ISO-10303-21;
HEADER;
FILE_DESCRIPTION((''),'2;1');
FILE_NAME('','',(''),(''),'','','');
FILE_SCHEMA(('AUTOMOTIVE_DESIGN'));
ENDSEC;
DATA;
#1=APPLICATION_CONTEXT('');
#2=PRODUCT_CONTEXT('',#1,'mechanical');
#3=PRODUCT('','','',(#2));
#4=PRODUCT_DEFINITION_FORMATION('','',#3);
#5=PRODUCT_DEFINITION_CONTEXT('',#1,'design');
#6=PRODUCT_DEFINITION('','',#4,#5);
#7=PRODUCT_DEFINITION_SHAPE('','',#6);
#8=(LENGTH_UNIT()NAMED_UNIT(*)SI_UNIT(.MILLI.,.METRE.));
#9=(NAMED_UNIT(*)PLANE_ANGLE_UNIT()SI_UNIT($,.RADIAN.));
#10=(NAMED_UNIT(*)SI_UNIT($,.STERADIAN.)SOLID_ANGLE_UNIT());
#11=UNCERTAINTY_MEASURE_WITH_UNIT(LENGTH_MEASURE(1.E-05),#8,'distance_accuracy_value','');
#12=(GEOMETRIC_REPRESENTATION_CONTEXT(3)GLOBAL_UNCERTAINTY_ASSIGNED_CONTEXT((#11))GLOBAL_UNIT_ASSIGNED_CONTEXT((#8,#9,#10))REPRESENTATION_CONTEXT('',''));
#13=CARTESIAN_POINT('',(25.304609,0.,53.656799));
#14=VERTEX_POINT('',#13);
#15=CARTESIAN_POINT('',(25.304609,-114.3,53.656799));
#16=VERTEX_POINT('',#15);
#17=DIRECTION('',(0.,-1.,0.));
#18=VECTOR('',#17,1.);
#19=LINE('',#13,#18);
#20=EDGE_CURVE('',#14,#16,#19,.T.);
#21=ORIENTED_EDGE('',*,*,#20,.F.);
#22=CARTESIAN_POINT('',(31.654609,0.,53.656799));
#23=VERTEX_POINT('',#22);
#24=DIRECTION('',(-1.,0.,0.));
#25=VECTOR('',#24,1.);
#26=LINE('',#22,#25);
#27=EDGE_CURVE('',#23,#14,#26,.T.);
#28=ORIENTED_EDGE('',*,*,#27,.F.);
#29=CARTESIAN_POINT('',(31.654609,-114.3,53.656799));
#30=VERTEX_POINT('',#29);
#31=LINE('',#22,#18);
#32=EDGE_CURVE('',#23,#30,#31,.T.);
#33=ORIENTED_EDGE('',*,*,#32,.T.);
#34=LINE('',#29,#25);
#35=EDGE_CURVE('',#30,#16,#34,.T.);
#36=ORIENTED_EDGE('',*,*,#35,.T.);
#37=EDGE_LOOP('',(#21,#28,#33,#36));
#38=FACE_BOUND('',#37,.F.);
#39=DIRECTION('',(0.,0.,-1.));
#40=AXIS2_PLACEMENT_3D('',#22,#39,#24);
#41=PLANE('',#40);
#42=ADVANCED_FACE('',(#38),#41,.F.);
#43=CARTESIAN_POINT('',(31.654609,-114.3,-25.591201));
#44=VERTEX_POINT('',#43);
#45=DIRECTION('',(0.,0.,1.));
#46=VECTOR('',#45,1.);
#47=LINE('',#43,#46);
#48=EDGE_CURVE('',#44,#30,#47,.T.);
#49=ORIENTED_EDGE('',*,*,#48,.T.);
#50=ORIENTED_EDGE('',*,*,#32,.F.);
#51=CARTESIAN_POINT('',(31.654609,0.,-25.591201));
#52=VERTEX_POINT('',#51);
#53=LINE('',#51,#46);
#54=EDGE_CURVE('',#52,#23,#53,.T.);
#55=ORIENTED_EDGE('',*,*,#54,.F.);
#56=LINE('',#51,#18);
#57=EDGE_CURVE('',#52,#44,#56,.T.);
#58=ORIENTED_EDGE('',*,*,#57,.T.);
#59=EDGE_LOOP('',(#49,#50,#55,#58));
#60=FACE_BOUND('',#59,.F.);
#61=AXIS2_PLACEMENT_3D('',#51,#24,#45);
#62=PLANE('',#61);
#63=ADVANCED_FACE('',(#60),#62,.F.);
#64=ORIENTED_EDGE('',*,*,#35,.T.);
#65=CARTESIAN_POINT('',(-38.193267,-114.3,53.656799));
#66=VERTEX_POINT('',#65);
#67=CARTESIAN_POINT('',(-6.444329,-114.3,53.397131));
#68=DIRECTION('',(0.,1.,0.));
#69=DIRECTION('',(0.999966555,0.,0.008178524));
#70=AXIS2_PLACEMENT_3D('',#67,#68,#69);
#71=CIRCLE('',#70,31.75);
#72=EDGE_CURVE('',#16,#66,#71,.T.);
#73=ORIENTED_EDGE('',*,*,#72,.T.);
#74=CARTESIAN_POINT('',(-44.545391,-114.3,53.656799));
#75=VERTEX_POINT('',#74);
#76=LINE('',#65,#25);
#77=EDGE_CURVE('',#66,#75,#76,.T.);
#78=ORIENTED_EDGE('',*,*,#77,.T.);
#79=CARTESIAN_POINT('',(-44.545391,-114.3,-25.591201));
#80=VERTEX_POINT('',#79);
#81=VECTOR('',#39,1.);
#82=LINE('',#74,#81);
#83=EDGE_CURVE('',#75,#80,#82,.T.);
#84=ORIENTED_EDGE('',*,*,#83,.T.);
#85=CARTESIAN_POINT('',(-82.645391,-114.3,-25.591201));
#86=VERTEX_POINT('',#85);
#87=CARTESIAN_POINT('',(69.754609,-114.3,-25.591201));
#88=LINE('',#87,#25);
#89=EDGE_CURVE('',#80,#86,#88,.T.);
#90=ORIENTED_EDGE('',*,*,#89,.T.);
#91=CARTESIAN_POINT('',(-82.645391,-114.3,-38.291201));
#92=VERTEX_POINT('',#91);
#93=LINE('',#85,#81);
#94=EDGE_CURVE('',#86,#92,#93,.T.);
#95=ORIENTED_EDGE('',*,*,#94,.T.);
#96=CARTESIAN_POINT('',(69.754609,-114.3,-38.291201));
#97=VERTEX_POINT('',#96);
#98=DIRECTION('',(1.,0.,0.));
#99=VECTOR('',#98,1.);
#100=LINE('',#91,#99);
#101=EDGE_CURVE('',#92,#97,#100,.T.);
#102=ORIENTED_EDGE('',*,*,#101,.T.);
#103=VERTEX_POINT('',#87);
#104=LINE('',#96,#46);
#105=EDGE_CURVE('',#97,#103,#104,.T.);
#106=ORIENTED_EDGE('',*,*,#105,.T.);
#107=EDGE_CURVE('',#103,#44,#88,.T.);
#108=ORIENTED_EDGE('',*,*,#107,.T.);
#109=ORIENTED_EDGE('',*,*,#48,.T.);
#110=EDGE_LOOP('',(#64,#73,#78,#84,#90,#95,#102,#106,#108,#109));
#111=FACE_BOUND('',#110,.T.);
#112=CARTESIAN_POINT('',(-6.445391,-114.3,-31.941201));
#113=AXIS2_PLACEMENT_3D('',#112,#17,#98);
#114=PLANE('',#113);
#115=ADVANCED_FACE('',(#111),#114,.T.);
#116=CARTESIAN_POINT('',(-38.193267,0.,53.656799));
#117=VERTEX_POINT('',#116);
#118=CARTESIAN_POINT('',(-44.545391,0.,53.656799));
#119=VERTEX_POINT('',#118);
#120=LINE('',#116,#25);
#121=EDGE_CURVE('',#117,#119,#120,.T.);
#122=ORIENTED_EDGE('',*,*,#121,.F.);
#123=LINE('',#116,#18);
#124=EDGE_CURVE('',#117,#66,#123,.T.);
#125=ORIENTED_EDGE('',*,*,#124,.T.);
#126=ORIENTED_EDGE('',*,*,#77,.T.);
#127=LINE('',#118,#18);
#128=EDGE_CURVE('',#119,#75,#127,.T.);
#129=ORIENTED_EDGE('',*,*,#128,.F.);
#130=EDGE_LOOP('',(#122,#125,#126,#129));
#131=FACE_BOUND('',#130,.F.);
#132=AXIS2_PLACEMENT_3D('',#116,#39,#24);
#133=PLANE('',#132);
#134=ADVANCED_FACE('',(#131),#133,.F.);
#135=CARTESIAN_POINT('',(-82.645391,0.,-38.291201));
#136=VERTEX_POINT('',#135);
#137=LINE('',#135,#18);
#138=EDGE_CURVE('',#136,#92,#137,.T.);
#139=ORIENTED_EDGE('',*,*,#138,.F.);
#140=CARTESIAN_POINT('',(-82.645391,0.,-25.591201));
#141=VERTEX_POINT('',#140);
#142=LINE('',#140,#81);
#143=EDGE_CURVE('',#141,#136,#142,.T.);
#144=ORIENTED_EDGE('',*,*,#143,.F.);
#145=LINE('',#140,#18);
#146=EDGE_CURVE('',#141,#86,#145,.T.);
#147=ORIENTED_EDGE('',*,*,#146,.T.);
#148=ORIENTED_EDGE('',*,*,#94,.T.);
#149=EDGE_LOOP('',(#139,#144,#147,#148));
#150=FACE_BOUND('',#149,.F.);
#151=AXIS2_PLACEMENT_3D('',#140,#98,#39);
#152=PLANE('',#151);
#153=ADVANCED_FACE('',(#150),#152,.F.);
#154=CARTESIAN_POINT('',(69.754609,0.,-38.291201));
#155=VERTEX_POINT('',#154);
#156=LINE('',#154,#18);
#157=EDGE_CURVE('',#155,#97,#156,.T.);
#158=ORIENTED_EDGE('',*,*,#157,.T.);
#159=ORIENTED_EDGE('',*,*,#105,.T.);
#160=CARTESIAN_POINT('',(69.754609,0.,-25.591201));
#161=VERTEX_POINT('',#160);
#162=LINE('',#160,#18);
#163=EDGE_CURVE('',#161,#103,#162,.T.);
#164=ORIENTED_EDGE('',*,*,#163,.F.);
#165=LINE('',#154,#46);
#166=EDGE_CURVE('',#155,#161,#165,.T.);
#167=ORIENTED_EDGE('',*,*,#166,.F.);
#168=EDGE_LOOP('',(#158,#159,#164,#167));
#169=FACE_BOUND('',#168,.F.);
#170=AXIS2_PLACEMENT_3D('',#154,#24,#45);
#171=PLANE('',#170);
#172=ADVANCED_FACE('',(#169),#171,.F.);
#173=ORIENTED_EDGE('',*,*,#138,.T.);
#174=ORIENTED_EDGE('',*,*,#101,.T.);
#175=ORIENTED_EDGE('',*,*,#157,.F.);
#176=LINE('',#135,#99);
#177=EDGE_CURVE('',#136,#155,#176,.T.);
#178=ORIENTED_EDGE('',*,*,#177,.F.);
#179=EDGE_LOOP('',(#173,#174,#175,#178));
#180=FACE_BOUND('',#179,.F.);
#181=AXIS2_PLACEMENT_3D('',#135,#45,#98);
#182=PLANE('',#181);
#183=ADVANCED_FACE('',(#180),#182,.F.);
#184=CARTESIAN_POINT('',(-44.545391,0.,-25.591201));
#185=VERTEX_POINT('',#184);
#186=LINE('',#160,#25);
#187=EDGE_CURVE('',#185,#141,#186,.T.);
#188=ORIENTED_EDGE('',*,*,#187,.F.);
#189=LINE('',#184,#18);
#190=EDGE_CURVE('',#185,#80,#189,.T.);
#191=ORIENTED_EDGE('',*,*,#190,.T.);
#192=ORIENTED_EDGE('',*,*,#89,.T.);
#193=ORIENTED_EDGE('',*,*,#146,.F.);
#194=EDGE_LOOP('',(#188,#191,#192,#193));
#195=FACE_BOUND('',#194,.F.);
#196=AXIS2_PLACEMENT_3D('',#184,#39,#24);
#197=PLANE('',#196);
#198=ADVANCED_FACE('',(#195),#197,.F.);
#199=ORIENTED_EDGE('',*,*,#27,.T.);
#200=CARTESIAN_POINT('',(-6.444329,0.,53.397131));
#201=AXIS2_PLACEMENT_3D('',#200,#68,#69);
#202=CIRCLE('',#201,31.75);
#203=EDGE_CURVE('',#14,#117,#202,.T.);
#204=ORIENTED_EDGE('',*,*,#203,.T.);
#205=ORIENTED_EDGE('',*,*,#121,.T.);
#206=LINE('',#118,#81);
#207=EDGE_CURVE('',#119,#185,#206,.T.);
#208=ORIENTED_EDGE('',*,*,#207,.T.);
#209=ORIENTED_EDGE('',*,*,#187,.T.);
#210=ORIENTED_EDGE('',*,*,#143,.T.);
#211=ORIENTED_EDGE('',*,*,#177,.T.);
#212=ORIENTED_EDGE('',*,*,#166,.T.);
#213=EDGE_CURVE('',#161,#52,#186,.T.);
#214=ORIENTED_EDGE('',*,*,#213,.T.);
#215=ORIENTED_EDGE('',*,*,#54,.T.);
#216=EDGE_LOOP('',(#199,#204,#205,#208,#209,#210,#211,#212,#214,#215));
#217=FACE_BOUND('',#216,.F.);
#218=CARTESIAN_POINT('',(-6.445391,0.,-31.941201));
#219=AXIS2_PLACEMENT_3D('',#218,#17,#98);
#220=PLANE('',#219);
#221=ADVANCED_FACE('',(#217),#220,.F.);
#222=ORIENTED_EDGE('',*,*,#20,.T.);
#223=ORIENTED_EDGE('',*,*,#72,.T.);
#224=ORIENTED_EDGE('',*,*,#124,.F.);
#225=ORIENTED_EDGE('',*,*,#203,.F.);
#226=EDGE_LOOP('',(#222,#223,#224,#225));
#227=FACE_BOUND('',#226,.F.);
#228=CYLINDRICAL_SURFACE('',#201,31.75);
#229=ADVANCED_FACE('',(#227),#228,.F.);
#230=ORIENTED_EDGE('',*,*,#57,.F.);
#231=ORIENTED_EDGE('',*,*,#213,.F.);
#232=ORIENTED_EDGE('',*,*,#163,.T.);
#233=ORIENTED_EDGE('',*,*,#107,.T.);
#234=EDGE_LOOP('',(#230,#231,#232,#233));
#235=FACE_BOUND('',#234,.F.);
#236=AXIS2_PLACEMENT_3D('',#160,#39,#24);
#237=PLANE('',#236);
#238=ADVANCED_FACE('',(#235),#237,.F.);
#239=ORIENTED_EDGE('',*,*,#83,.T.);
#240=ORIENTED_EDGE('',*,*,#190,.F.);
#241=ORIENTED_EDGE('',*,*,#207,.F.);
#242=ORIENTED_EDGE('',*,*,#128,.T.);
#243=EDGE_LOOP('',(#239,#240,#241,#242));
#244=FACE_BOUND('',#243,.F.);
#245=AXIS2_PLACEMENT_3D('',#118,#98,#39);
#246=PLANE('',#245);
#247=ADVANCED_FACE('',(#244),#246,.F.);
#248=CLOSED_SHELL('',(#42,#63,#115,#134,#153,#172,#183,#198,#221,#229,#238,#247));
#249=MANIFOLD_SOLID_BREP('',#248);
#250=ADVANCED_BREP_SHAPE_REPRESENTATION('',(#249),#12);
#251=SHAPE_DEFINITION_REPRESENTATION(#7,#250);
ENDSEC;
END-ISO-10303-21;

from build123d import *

# Parameters (mm, degrees)
F1_DEPTH = 114.3


with BuildPart() as f1:
    # F0 (on Front) → F1 (new body)
    with BuildSketch(Plane.XZ):
        Polygon((-44.545391, -25.591201), (-82.645391, -25.591201), (-82.645391, -38.291201), (69.754609, -38.291201), (69.754609, -25.591201), (31.654609, -25.591201), align=None)
        with BuildLine():
            Line((-44.545391, 53.656799), (-44.545391, -25.591201))
            Line((-44.545391, -25.591201), (31.654609, -25.591201))
            Line((31.654609, -25.591201), (31.654609, 53.656799))
            Line((31.654609, 53.656799), (25.304609, 53.656799))
            ThreePointArc((25.304609, 53.656799), (-6.444329, 21.647131), (-38.193267, 53.656799))
            Line((-38.193267, 53.656799), (-44.545391, 53.656799))
        make_face()
    extrude(amount=F1_DEPTH)


solid = f1.part
